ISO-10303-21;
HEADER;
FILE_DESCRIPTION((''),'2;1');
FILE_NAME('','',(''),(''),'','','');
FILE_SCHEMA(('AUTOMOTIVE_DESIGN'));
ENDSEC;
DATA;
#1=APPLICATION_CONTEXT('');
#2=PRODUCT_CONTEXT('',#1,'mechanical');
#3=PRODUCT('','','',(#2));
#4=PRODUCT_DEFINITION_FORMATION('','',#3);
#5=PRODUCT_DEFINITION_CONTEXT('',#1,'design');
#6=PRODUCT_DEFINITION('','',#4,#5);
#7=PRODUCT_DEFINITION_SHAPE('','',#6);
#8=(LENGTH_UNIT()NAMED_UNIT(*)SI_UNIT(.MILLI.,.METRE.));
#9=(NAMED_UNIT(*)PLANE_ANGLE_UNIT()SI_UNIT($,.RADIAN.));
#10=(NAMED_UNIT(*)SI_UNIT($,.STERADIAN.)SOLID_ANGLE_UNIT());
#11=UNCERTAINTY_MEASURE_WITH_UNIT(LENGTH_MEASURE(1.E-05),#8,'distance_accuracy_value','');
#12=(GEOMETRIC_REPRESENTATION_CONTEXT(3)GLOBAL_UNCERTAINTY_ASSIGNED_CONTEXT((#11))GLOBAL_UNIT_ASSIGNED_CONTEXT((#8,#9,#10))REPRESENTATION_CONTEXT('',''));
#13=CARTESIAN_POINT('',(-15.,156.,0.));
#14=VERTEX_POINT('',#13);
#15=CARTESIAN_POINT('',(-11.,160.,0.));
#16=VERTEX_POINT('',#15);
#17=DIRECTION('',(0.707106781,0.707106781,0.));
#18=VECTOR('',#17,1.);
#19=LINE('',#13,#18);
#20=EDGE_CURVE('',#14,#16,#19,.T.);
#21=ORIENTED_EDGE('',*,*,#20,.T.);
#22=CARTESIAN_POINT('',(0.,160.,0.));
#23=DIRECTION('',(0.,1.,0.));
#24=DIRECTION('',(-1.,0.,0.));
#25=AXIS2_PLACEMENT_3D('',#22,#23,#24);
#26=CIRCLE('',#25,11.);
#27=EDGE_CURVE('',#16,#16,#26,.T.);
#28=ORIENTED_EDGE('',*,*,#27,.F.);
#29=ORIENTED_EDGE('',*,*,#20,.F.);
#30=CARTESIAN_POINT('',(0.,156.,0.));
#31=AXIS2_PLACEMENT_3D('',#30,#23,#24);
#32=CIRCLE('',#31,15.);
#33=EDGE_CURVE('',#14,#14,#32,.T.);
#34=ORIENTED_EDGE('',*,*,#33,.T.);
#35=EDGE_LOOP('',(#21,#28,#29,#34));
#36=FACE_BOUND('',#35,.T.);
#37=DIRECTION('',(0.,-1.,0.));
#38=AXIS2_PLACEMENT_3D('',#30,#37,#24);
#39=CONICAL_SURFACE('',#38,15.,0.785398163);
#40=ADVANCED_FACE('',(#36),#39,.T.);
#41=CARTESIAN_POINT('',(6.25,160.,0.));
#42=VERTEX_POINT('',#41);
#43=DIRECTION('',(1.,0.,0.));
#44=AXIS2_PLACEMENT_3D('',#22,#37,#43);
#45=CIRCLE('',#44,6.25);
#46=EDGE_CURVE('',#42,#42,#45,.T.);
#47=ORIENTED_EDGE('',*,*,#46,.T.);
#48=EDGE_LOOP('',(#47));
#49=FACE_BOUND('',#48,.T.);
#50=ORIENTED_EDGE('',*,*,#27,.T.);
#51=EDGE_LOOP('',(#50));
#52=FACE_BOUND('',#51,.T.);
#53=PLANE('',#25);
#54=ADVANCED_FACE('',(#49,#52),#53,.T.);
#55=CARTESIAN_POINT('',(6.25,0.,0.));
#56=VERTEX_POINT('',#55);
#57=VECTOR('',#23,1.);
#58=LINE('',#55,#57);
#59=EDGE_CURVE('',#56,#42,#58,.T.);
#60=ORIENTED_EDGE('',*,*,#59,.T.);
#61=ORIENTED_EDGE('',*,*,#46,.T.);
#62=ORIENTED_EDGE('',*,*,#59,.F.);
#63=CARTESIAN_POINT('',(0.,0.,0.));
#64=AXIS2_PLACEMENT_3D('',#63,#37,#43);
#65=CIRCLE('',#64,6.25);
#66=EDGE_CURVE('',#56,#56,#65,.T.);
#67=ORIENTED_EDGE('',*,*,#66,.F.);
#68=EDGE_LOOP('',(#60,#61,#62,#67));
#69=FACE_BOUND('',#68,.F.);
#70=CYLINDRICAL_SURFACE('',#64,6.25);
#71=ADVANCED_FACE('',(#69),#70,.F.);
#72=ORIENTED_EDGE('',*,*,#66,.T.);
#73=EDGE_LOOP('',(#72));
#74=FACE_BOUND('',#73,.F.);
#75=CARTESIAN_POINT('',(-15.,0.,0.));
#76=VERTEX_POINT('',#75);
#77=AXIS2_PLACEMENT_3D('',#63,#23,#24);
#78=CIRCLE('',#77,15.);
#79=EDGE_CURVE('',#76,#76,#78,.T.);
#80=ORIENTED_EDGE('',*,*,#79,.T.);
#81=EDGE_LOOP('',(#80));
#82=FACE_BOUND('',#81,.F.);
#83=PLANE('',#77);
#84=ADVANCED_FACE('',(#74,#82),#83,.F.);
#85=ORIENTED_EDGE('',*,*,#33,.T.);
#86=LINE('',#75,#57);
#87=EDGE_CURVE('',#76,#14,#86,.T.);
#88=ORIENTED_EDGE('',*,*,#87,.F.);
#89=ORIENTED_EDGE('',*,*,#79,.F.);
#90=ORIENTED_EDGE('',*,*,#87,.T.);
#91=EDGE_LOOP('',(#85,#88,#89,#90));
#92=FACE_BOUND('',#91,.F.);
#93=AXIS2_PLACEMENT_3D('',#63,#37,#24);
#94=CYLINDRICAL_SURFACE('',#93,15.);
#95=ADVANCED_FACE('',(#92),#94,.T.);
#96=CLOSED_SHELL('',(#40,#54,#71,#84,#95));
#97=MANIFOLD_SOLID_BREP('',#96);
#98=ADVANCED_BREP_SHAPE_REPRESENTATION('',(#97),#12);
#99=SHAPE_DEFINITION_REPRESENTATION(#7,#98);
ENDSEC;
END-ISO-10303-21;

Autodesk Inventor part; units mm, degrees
ref_plane "YZ Plane" through (0, 0, 0) normal (1, 0, 0) x (0, 1, 0)
ref_plane "XZ Plane" through (0, 0, 0) normal (0, 1, 0) x (-1, 0, 0)
ref_plane "XY Plane" through (0, 0, 0) normal (0, 0, 1) x (1, 0, 0)
sketch "Skizze1" plane through (0, 0, 0) normal (0, 1, 0) x (-1, 0, 0)
  circle A0 centre (0, 0) radius 15
  dimension "d0" = 30
extrude "Extrusion1" add sketch "Skizze1" along normal blind 160
chamfer "Fasen1" distance 4 angle 45 1 edges at (15, 160, 0)
sketch "Skizze2" plane through (0, 0, 0) normal (0, -1, 0) x (1, 0, 0)
  circle A0 centre (0, 0) radius 11 projected
  circle A1 centre (0, 0) radius 6.25
  dimension "d6" = 12.5
extrude "Extrusion2" cut sketch "Skizze2" against normal up to surface (160 mm away) contours A1
properties part number "15" material "Kupfer, Guss"
